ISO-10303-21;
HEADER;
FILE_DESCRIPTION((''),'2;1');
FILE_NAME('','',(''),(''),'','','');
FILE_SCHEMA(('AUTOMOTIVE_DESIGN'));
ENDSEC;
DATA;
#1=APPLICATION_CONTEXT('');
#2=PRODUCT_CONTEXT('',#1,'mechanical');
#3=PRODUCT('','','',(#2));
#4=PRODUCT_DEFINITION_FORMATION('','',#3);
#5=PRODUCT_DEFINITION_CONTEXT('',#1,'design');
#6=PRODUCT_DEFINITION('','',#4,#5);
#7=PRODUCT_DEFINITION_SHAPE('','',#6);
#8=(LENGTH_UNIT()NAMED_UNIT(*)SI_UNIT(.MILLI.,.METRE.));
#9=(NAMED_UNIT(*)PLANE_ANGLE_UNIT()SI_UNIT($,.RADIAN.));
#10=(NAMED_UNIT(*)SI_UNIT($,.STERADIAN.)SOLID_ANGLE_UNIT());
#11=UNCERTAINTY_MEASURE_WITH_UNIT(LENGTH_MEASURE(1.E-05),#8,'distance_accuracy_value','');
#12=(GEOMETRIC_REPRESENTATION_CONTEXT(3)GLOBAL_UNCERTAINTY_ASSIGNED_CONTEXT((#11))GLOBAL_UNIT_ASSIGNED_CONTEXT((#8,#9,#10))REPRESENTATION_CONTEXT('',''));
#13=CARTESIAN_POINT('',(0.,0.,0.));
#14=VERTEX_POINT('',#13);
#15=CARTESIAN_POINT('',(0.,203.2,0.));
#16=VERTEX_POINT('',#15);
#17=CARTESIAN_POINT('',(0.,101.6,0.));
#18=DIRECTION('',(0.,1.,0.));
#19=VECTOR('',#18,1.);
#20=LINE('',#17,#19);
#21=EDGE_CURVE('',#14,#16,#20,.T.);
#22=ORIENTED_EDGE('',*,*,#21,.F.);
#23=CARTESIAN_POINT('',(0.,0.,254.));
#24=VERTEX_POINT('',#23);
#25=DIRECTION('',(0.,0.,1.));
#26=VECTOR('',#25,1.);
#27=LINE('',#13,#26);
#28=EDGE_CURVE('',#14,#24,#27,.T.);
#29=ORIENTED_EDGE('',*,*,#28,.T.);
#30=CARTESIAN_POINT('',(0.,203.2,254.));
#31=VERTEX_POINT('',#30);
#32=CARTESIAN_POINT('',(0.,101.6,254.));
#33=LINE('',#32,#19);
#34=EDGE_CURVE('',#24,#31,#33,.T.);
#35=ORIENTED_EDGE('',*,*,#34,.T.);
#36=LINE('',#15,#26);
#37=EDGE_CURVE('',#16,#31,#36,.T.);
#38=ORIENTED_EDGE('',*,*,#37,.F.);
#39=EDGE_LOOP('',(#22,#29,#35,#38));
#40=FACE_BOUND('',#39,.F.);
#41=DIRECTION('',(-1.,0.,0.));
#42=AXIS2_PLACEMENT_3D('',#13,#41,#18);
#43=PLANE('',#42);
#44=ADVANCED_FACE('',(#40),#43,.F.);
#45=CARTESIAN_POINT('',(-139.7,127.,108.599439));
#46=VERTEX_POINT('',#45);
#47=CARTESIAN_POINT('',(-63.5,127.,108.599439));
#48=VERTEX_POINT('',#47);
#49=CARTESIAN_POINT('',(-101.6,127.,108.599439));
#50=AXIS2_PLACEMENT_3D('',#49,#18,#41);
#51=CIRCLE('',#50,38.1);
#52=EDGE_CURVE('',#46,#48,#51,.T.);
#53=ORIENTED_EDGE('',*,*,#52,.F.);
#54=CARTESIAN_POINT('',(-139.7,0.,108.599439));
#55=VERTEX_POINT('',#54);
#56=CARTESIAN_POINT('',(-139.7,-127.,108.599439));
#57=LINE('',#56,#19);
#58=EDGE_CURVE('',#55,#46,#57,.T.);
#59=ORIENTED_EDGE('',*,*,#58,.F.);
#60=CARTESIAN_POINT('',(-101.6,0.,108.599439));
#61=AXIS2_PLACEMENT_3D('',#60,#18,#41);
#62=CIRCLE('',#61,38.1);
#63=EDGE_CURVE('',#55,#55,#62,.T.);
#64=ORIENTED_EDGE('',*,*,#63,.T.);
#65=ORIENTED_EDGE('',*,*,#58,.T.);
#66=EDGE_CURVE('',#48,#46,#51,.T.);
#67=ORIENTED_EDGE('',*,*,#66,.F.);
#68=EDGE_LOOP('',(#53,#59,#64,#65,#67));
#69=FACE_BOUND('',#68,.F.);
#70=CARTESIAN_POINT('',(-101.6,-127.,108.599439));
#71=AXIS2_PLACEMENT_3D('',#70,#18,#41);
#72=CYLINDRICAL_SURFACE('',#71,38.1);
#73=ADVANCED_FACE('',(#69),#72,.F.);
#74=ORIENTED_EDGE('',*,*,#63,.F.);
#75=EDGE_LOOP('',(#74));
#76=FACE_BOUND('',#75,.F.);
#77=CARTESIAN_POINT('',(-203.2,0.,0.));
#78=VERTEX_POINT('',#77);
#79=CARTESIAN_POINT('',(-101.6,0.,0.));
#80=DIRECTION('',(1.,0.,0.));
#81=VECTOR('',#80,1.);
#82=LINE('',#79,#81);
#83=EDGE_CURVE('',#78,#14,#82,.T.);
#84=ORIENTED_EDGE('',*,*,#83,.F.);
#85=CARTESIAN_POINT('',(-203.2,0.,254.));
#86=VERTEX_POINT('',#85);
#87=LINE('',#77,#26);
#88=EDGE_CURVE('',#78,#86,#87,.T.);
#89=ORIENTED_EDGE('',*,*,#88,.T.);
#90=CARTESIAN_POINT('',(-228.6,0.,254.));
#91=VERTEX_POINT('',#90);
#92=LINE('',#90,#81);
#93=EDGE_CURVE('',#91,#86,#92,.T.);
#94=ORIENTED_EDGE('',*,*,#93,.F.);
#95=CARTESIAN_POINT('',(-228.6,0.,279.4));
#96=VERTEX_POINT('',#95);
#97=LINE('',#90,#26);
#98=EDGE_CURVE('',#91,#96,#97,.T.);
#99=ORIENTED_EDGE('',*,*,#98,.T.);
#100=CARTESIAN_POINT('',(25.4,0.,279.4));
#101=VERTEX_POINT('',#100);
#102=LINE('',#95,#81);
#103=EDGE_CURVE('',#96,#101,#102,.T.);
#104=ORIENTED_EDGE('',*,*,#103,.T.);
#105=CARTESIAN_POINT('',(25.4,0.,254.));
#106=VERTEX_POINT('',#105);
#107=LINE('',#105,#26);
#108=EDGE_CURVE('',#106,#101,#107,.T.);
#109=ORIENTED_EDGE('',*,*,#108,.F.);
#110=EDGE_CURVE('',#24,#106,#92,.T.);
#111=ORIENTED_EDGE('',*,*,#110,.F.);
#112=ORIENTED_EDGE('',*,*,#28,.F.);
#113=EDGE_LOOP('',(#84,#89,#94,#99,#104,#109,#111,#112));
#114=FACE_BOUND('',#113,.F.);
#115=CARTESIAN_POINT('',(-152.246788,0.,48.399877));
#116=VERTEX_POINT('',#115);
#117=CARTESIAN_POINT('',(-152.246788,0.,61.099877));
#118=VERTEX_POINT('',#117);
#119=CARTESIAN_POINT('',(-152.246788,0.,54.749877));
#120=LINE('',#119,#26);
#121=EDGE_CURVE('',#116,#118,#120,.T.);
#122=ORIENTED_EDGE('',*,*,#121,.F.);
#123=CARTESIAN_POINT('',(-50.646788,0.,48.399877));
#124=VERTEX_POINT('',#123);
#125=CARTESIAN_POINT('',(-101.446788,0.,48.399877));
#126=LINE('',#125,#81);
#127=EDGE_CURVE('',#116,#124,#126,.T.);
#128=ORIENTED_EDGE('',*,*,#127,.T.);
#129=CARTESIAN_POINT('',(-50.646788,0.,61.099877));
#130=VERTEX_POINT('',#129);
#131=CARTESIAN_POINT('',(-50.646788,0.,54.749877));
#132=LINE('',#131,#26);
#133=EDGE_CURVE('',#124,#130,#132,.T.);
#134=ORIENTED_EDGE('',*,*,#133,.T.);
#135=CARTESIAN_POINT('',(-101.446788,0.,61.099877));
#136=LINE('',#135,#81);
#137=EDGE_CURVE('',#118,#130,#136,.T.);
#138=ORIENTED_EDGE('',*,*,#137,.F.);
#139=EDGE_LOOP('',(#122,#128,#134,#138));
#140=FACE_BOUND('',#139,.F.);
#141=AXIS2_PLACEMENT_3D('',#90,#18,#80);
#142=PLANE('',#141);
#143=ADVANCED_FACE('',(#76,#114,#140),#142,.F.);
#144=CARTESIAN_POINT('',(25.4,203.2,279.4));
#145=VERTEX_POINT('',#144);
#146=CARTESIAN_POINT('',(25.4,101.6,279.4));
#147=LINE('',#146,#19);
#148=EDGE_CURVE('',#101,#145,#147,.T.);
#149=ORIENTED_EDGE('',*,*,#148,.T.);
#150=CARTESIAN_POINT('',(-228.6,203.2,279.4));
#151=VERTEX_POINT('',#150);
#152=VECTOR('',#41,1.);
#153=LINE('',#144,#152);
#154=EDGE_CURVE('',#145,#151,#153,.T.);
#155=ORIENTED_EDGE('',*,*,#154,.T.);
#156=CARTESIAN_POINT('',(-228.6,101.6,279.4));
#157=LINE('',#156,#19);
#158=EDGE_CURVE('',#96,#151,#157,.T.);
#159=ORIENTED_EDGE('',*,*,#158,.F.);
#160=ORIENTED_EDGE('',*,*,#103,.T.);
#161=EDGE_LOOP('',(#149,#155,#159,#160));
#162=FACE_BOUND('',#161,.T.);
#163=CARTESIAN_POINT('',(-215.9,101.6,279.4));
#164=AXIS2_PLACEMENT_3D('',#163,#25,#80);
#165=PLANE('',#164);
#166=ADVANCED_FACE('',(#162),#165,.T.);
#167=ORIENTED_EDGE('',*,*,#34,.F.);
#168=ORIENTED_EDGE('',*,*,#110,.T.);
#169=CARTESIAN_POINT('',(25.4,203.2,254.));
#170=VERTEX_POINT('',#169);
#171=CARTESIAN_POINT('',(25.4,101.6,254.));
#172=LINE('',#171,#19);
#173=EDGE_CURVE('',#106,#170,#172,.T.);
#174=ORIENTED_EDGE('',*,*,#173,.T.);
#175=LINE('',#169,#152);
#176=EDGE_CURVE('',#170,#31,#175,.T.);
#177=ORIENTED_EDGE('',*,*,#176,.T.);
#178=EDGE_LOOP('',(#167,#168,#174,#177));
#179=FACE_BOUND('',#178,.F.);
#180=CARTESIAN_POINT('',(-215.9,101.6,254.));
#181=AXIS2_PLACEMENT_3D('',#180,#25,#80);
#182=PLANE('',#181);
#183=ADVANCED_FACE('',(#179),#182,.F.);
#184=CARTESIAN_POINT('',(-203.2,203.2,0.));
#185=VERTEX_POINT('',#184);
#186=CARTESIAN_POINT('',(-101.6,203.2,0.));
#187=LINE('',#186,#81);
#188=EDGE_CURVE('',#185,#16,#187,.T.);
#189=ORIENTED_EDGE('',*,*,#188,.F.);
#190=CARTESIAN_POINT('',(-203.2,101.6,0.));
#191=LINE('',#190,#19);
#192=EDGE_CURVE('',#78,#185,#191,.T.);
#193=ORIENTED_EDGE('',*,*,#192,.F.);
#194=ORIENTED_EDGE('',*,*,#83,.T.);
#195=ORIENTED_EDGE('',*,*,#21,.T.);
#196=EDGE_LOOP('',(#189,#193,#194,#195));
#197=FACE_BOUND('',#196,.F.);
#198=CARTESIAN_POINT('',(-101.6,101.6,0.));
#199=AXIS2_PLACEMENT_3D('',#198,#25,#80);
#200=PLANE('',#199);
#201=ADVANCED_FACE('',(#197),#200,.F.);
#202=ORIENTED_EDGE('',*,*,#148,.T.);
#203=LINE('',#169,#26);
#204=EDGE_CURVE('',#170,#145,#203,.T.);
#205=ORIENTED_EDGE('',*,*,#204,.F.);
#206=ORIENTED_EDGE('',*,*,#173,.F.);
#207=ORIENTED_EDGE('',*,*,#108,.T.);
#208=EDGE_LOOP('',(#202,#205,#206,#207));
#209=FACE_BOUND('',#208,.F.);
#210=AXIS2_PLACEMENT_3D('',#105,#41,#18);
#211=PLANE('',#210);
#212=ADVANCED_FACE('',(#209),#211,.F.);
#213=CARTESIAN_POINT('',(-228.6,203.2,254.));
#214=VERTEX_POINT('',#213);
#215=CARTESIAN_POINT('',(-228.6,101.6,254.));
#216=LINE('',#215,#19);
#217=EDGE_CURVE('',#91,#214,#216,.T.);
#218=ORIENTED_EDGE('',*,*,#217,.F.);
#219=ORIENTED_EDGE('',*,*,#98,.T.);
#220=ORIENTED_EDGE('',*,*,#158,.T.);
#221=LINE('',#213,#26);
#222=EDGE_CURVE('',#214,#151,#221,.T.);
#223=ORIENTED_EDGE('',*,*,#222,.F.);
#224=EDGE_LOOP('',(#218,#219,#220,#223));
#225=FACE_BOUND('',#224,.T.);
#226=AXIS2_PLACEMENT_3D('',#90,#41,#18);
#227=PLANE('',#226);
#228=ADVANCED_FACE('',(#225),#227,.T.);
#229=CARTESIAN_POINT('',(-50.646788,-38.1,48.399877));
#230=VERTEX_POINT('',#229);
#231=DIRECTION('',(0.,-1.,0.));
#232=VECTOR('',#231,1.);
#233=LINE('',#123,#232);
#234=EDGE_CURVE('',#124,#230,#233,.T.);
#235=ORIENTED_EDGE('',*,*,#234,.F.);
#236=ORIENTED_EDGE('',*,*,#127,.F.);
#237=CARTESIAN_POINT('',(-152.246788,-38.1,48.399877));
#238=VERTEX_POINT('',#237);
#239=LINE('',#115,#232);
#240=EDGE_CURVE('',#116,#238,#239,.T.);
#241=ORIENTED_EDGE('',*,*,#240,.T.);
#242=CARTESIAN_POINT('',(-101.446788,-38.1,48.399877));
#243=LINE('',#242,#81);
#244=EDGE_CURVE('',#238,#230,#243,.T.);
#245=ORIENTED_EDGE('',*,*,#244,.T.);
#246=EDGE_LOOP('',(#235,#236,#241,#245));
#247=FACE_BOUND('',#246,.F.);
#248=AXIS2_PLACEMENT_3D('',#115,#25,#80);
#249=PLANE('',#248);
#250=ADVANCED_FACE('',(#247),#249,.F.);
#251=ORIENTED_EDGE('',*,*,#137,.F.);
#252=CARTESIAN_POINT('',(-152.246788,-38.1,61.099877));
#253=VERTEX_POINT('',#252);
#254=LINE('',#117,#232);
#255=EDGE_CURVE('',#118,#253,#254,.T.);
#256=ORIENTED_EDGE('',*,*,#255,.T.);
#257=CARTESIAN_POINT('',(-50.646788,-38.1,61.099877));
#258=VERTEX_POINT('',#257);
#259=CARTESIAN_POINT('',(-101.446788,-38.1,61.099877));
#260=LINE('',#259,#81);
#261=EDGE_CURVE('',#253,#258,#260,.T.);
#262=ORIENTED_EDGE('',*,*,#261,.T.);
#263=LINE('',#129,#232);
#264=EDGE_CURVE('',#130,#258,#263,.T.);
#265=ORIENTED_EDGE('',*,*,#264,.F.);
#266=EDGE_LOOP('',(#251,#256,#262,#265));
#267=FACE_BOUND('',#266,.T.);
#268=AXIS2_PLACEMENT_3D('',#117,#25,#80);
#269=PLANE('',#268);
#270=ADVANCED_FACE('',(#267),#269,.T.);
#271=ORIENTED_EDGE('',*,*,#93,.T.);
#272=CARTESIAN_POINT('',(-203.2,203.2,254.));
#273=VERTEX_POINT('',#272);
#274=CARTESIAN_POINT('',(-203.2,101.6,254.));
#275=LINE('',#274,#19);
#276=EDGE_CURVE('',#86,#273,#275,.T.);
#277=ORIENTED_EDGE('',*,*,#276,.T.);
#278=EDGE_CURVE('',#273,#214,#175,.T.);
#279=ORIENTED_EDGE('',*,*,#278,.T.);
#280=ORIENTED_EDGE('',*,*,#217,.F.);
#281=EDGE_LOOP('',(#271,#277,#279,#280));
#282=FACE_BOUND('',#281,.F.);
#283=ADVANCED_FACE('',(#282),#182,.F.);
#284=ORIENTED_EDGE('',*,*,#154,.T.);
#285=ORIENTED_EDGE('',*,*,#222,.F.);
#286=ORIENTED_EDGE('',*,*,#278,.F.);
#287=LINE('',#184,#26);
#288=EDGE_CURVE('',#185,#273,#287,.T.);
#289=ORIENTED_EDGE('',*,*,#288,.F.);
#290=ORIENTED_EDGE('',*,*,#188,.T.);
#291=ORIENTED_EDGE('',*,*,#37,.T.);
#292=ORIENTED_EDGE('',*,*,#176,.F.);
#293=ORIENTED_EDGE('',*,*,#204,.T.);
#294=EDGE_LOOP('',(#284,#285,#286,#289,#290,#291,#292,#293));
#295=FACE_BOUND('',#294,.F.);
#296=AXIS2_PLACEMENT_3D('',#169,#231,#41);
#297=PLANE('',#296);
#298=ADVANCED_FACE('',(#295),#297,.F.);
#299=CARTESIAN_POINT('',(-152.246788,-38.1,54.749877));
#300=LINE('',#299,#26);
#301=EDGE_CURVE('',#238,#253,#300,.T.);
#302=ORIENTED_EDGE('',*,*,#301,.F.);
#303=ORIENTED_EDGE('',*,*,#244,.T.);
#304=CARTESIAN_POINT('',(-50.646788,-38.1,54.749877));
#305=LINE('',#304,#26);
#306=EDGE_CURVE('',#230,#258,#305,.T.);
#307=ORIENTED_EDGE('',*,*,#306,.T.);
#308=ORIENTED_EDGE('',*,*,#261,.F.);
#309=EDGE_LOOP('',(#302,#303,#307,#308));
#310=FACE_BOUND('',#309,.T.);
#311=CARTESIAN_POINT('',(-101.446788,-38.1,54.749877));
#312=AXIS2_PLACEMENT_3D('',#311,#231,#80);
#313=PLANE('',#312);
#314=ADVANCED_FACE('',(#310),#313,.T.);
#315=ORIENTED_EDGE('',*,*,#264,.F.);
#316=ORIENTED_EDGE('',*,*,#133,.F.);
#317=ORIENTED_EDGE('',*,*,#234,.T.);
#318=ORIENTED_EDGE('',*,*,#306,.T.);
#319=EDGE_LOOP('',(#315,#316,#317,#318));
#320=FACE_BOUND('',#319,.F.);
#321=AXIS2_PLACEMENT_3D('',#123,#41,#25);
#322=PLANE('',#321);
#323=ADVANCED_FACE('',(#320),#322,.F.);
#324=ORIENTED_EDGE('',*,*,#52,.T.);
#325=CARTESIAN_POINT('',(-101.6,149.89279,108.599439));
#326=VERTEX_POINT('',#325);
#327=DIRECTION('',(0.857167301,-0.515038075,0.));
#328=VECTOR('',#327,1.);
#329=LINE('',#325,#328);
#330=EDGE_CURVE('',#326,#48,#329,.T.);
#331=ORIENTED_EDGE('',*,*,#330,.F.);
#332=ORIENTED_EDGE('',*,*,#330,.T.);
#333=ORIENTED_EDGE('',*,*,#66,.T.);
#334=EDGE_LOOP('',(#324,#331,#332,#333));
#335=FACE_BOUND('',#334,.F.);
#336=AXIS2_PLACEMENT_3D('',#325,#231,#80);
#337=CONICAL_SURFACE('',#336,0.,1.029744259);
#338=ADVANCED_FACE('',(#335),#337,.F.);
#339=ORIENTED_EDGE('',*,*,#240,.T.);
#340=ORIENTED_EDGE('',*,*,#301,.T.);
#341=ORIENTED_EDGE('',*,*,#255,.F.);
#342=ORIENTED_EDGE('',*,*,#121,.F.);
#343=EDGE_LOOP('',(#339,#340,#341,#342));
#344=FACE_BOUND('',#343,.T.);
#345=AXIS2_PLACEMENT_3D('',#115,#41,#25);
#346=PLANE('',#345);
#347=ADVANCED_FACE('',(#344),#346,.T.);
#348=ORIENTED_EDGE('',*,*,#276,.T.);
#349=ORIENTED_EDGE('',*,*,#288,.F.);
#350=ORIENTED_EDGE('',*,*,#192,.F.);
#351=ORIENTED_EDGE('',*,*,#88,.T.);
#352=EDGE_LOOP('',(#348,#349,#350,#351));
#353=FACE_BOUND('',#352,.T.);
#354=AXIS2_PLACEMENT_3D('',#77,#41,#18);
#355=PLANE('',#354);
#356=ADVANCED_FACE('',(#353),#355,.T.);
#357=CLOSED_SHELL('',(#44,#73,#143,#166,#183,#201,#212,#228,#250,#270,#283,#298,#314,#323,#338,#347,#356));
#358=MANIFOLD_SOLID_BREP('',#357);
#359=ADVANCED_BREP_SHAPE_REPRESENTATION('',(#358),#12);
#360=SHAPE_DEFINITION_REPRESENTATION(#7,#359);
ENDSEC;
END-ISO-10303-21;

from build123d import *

# Parameters (mm, degrees)
F0_W     = 203.2
F0_H     = 203.2
F1_DEPTH = 254
F3_W     = 25.4
F3_H     = 203.2
F3_W_2   = 203.2
F4_DEPTH = 25.4
F5_D     = 76.2
F5_DEPTH = 127
F5_TIP   = 22.892789585
F6_W     = 101.6
F6_H     = 12.7
F7_DEPTH = 38.1


with BuildPart() as f1:
    # F0 (on Top) → F1 (new body)
    with BuildSketch(Plane.XY):
        with Locations((-101.6, 101.6)):
            Rectangle(F0_W, F0_H)
    extrude(amount=F1_DEPTH)

    # F3 (on face) → F4 (join)
    with BuildSketch(Plane.XY.offset(254)):
        with Locations((-215.9, 101.6)):
            Rectangle(F3_W, F3_H)
        with Locations((12.7, 101.6)):
            Rectangle(F3_W, F3_H)
        with Locations((-101.6, 101.6)):
            Rectangle(F3_W_2, F3_H)
    extrude(amount=F4_DEPTH)

    # F5
    with Locations(Plane.XZ):
        with Locations((-101.6, 108.5994392633)):
            Hole(F5_D / 2, depth=F5_DEPTH)
            with Locations((0, 0, -(F5_DEPTH + F5_TIP / 2))):  # 118° drill point
                Cone(0, F5_D / 2, F5_TIP, mode=Mode.SUBTRACT)

    # F6 (on face) → F7 (join)
    with BuildSketch(Plane.XZ):
        with Locations((-101.4467881441, 54.7498768032)):
            Rectangle(F6_W, F6_H)
    extrude(amount=F7_DEPTH)


solid = f1.part
